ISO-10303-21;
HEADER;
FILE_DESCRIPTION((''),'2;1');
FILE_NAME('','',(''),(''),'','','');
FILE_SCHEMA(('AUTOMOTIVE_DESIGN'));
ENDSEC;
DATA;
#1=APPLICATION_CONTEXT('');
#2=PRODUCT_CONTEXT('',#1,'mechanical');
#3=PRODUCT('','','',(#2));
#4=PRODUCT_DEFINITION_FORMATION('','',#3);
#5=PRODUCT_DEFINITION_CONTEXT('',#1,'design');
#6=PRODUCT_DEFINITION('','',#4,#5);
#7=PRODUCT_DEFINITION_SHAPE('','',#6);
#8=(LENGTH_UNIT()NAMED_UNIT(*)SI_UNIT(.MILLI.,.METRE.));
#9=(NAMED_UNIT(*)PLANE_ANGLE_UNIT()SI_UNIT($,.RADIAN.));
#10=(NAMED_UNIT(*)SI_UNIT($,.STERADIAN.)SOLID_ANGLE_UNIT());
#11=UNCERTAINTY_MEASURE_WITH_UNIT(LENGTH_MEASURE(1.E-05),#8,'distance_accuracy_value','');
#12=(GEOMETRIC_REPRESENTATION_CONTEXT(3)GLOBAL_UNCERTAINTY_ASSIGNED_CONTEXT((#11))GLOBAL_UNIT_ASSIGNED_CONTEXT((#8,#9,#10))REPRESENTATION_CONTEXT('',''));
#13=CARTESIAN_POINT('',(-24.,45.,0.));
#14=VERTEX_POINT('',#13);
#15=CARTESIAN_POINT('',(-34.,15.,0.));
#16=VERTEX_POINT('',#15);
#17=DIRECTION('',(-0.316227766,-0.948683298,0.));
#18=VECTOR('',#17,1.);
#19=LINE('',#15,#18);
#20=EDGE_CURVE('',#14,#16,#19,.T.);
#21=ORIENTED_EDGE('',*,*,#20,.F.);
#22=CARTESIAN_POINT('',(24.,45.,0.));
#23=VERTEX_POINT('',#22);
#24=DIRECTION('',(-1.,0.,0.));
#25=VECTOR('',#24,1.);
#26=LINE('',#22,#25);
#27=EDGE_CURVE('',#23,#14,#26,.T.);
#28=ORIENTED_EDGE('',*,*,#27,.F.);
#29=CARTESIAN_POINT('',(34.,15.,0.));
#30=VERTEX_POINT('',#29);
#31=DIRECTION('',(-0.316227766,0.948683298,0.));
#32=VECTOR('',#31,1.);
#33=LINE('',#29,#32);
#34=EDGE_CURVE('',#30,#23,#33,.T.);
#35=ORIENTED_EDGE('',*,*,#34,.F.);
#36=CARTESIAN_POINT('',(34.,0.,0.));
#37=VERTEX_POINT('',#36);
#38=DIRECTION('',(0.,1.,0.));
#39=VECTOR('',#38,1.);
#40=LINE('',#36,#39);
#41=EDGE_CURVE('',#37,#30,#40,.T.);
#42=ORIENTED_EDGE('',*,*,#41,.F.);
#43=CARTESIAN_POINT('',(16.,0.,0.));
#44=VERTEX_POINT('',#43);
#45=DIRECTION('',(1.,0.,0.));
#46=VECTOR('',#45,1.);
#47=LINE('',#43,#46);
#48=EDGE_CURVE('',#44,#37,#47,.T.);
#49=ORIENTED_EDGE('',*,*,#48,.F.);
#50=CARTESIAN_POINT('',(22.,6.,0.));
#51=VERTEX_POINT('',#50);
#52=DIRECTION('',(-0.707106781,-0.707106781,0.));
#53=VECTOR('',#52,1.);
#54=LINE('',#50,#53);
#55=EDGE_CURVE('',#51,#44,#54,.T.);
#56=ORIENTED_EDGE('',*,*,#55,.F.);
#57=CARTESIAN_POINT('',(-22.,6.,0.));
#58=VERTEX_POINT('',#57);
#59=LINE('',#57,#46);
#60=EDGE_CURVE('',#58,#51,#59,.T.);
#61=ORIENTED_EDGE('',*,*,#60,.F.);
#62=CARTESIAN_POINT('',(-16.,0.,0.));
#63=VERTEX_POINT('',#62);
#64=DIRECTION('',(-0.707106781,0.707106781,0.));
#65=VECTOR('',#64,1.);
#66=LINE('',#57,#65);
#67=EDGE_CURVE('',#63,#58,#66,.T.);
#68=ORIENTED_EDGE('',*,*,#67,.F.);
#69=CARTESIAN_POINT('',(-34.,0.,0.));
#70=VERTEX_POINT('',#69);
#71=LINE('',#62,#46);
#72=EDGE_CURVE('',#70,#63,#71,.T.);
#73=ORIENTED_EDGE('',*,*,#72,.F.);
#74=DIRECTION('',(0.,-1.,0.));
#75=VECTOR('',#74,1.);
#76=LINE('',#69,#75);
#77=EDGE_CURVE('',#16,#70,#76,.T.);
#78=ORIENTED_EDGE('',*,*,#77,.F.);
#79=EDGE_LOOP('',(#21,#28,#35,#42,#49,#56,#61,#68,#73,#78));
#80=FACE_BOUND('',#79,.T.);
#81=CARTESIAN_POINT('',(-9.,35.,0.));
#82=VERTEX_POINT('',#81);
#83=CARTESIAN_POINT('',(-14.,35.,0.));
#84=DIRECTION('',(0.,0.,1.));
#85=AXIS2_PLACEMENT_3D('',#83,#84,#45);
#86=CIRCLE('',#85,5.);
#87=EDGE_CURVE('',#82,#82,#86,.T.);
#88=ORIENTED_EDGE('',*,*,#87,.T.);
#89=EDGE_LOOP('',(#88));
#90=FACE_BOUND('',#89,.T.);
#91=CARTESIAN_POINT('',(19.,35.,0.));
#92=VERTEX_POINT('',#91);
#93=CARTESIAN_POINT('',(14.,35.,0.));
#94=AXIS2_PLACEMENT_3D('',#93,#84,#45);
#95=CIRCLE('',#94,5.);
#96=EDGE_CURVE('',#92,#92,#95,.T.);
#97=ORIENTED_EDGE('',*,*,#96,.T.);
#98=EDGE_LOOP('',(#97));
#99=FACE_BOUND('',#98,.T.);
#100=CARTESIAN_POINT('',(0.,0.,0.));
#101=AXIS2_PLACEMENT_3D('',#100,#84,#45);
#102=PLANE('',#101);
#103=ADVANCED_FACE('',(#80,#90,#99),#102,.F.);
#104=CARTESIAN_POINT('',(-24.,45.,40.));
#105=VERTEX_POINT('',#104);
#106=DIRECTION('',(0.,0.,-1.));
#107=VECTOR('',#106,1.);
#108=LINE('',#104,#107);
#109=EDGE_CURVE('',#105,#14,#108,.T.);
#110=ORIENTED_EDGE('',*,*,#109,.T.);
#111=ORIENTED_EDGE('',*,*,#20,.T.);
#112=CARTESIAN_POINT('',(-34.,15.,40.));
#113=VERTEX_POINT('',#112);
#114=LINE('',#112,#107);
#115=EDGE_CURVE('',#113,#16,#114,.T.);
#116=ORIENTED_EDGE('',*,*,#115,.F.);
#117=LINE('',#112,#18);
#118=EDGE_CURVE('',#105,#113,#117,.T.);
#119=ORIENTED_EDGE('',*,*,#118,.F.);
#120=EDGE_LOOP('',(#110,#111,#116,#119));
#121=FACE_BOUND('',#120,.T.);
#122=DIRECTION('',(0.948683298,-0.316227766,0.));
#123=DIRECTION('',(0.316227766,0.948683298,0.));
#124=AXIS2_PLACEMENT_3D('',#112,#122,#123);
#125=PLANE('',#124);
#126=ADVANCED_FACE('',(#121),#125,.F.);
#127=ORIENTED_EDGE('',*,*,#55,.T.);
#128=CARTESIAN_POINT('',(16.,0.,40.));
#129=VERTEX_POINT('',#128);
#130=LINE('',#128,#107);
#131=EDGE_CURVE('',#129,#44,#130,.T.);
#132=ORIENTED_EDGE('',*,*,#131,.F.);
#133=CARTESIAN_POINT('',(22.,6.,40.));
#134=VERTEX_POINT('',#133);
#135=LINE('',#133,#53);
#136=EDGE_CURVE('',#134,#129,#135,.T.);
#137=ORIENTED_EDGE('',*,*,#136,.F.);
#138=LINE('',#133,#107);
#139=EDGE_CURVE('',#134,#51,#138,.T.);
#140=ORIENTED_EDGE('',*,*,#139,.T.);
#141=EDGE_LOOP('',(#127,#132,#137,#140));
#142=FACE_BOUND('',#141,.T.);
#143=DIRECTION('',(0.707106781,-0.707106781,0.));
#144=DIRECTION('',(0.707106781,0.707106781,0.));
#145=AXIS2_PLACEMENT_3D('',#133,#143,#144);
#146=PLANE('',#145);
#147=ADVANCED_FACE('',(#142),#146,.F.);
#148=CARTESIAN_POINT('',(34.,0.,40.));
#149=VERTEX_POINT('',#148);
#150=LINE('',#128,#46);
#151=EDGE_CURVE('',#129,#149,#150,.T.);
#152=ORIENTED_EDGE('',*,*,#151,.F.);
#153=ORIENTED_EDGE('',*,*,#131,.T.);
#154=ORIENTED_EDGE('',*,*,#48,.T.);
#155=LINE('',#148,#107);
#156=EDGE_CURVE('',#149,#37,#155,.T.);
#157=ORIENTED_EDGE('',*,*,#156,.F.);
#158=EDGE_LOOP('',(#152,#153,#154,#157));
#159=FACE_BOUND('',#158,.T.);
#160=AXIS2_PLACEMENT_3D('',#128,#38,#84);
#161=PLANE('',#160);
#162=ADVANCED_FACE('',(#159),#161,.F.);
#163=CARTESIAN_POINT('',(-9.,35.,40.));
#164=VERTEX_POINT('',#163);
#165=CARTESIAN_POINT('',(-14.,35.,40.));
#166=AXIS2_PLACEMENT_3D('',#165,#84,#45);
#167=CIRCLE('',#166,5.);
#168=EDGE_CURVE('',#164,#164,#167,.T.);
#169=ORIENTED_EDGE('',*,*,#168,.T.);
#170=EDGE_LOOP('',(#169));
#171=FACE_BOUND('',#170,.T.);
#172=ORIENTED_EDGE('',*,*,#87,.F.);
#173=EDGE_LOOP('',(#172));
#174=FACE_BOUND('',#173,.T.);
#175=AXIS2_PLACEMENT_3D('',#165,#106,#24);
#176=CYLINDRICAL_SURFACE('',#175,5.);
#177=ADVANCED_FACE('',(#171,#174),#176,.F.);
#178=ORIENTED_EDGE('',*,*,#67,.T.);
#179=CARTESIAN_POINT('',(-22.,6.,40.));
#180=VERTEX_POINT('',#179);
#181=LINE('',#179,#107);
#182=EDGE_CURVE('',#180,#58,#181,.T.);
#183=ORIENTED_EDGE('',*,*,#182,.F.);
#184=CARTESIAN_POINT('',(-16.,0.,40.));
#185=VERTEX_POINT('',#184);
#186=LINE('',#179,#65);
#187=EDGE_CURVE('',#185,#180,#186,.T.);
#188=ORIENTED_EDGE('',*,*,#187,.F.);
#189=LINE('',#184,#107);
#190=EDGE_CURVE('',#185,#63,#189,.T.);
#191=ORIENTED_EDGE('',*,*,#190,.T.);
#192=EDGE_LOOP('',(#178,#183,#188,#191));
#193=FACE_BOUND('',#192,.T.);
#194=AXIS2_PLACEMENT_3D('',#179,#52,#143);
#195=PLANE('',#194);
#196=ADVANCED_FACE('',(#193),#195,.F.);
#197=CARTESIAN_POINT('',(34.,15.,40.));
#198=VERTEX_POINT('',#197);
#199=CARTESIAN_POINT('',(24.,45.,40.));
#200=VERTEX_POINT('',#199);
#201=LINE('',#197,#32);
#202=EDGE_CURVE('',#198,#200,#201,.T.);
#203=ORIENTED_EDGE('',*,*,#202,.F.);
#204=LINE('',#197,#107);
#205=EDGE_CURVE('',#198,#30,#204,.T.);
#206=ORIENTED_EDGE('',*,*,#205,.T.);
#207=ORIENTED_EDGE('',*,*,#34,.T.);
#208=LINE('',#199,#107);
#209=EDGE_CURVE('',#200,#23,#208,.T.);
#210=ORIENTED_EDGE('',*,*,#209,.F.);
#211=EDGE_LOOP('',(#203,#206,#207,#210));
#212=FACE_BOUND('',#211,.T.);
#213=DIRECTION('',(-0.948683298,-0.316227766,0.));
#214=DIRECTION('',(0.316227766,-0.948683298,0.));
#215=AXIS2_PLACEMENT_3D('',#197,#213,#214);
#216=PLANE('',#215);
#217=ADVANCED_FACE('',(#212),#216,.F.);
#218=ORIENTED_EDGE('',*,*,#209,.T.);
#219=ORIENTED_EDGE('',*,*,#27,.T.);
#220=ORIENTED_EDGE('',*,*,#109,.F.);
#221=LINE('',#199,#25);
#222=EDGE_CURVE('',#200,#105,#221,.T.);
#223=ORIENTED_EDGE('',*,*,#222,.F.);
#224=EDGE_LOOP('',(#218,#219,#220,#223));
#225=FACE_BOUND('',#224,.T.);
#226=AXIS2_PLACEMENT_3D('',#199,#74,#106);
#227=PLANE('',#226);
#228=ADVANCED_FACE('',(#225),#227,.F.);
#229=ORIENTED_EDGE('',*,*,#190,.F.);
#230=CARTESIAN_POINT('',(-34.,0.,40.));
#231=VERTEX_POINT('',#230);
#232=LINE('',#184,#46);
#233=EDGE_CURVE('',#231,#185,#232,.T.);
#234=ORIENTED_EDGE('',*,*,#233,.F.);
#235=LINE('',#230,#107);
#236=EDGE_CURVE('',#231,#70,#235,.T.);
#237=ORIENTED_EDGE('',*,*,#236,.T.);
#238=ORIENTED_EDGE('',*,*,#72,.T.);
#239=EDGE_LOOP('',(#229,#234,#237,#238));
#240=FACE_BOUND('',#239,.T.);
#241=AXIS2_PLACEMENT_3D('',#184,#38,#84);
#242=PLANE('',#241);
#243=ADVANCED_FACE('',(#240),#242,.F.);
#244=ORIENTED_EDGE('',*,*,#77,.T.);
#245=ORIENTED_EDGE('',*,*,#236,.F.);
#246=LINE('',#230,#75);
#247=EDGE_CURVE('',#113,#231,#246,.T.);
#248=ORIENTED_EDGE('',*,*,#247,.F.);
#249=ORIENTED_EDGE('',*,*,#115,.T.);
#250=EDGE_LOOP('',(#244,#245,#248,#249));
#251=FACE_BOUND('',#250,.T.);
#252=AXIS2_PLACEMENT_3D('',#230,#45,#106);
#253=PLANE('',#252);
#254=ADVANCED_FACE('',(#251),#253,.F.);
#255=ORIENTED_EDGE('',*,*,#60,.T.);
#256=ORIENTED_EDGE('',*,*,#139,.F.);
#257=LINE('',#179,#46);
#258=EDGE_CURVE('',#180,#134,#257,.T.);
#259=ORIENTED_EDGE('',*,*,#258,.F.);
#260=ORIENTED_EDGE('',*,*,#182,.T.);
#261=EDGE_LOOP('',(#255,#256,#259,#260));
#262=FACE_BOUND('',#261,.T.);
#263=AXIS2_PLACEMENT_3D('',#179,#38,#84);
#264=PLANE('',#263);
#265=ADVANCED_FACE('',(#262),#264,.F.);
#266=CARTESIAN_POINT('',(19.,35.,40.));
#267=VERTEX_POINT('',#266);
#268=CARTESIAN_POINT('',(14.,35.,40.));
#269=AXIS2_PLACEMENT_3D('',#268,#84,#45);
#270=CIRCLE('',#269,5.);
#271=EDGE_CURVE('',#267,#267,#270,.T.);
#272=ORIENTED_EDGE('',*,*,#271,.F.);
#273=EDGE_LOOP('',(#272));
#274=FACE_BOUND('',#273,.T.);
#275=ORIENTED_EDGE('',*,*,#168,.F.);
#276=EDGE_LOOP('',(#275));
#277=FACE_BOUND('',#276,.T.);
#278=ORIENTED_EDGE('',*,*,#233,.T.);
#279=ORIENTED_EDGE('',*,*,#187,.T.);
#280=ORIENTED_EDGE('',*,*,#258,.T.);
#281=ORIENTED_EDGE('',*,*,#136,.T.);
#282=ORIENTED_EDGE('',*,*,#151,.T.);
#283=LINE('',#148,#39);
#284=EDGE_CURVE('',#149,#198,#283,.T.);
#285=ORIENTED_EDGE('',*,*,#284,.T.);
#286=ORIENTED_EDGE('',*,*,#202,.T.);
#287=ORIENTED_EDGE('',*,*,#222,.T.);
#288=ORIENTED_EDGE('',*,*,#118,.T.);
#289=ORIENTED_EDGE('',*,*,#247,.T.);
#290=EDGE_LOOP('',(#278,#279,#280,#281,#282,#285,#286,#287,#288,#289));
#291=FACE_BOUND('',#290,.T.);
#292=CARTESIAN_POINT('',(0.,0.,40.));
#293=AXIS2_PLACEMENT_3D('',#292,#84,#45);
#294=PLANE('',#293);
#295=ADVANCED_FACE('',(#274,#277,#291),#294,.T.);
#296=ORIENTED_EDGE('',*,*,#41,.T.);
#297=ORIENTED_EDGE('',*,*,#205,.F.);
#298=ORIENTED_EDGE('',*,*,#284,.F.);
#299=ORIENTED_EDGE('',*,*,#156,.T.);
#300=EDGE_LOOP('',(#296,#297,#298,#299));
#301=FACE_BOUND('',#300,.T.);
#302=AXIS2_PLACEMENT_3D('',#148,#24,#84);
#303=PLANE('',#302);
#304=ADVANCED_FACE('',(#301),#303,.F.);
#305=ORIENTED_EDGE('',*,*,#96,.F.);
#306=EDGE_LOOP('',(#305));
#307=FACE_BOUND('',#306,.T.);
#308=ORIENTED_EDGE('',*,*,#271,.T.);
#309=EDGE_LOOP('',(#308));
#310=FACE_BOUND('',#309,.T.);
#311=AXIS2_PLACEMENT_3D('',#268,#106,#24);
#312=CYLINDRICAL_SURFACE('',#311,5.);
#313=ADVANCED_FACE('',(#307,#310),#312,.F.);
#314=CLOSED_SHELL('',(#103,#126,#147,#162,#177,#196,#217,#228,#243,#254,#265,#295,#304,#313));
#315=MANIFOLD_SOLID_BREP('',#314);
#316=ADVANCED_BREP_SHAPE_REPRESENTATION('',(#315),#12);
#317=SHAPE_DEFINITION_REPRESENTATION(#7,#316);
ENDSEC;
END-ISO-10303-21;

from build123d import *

# Parameters (mm, degrees)
SKETCH1_R           = 5
BOSS_EXTRUDE1_DEPTH = 40


with BuildPart() as part:
    # Sketch1 → Boss-Extrude1 (new body)
    with BuildSketch(Plane.XY):
        Polygon((-22, 6), (22, 6), (16, 0), (34, 0), (34, 15), (24, 45), (-24, 45), (-34, 15), (-34, 0), (-16, 0), align=None)
        with Locations((-14, 35)):
            Circle(SKETCH1_R, mode=Mode.SUBTRACT)
        with Locations((14, 35)):
            Circle(SKETCH1_R, mode=Mode.SUBTRACT)
    extrude(amount=BOSS_EXTRUDE1_DEPTH)


solid = part.part
